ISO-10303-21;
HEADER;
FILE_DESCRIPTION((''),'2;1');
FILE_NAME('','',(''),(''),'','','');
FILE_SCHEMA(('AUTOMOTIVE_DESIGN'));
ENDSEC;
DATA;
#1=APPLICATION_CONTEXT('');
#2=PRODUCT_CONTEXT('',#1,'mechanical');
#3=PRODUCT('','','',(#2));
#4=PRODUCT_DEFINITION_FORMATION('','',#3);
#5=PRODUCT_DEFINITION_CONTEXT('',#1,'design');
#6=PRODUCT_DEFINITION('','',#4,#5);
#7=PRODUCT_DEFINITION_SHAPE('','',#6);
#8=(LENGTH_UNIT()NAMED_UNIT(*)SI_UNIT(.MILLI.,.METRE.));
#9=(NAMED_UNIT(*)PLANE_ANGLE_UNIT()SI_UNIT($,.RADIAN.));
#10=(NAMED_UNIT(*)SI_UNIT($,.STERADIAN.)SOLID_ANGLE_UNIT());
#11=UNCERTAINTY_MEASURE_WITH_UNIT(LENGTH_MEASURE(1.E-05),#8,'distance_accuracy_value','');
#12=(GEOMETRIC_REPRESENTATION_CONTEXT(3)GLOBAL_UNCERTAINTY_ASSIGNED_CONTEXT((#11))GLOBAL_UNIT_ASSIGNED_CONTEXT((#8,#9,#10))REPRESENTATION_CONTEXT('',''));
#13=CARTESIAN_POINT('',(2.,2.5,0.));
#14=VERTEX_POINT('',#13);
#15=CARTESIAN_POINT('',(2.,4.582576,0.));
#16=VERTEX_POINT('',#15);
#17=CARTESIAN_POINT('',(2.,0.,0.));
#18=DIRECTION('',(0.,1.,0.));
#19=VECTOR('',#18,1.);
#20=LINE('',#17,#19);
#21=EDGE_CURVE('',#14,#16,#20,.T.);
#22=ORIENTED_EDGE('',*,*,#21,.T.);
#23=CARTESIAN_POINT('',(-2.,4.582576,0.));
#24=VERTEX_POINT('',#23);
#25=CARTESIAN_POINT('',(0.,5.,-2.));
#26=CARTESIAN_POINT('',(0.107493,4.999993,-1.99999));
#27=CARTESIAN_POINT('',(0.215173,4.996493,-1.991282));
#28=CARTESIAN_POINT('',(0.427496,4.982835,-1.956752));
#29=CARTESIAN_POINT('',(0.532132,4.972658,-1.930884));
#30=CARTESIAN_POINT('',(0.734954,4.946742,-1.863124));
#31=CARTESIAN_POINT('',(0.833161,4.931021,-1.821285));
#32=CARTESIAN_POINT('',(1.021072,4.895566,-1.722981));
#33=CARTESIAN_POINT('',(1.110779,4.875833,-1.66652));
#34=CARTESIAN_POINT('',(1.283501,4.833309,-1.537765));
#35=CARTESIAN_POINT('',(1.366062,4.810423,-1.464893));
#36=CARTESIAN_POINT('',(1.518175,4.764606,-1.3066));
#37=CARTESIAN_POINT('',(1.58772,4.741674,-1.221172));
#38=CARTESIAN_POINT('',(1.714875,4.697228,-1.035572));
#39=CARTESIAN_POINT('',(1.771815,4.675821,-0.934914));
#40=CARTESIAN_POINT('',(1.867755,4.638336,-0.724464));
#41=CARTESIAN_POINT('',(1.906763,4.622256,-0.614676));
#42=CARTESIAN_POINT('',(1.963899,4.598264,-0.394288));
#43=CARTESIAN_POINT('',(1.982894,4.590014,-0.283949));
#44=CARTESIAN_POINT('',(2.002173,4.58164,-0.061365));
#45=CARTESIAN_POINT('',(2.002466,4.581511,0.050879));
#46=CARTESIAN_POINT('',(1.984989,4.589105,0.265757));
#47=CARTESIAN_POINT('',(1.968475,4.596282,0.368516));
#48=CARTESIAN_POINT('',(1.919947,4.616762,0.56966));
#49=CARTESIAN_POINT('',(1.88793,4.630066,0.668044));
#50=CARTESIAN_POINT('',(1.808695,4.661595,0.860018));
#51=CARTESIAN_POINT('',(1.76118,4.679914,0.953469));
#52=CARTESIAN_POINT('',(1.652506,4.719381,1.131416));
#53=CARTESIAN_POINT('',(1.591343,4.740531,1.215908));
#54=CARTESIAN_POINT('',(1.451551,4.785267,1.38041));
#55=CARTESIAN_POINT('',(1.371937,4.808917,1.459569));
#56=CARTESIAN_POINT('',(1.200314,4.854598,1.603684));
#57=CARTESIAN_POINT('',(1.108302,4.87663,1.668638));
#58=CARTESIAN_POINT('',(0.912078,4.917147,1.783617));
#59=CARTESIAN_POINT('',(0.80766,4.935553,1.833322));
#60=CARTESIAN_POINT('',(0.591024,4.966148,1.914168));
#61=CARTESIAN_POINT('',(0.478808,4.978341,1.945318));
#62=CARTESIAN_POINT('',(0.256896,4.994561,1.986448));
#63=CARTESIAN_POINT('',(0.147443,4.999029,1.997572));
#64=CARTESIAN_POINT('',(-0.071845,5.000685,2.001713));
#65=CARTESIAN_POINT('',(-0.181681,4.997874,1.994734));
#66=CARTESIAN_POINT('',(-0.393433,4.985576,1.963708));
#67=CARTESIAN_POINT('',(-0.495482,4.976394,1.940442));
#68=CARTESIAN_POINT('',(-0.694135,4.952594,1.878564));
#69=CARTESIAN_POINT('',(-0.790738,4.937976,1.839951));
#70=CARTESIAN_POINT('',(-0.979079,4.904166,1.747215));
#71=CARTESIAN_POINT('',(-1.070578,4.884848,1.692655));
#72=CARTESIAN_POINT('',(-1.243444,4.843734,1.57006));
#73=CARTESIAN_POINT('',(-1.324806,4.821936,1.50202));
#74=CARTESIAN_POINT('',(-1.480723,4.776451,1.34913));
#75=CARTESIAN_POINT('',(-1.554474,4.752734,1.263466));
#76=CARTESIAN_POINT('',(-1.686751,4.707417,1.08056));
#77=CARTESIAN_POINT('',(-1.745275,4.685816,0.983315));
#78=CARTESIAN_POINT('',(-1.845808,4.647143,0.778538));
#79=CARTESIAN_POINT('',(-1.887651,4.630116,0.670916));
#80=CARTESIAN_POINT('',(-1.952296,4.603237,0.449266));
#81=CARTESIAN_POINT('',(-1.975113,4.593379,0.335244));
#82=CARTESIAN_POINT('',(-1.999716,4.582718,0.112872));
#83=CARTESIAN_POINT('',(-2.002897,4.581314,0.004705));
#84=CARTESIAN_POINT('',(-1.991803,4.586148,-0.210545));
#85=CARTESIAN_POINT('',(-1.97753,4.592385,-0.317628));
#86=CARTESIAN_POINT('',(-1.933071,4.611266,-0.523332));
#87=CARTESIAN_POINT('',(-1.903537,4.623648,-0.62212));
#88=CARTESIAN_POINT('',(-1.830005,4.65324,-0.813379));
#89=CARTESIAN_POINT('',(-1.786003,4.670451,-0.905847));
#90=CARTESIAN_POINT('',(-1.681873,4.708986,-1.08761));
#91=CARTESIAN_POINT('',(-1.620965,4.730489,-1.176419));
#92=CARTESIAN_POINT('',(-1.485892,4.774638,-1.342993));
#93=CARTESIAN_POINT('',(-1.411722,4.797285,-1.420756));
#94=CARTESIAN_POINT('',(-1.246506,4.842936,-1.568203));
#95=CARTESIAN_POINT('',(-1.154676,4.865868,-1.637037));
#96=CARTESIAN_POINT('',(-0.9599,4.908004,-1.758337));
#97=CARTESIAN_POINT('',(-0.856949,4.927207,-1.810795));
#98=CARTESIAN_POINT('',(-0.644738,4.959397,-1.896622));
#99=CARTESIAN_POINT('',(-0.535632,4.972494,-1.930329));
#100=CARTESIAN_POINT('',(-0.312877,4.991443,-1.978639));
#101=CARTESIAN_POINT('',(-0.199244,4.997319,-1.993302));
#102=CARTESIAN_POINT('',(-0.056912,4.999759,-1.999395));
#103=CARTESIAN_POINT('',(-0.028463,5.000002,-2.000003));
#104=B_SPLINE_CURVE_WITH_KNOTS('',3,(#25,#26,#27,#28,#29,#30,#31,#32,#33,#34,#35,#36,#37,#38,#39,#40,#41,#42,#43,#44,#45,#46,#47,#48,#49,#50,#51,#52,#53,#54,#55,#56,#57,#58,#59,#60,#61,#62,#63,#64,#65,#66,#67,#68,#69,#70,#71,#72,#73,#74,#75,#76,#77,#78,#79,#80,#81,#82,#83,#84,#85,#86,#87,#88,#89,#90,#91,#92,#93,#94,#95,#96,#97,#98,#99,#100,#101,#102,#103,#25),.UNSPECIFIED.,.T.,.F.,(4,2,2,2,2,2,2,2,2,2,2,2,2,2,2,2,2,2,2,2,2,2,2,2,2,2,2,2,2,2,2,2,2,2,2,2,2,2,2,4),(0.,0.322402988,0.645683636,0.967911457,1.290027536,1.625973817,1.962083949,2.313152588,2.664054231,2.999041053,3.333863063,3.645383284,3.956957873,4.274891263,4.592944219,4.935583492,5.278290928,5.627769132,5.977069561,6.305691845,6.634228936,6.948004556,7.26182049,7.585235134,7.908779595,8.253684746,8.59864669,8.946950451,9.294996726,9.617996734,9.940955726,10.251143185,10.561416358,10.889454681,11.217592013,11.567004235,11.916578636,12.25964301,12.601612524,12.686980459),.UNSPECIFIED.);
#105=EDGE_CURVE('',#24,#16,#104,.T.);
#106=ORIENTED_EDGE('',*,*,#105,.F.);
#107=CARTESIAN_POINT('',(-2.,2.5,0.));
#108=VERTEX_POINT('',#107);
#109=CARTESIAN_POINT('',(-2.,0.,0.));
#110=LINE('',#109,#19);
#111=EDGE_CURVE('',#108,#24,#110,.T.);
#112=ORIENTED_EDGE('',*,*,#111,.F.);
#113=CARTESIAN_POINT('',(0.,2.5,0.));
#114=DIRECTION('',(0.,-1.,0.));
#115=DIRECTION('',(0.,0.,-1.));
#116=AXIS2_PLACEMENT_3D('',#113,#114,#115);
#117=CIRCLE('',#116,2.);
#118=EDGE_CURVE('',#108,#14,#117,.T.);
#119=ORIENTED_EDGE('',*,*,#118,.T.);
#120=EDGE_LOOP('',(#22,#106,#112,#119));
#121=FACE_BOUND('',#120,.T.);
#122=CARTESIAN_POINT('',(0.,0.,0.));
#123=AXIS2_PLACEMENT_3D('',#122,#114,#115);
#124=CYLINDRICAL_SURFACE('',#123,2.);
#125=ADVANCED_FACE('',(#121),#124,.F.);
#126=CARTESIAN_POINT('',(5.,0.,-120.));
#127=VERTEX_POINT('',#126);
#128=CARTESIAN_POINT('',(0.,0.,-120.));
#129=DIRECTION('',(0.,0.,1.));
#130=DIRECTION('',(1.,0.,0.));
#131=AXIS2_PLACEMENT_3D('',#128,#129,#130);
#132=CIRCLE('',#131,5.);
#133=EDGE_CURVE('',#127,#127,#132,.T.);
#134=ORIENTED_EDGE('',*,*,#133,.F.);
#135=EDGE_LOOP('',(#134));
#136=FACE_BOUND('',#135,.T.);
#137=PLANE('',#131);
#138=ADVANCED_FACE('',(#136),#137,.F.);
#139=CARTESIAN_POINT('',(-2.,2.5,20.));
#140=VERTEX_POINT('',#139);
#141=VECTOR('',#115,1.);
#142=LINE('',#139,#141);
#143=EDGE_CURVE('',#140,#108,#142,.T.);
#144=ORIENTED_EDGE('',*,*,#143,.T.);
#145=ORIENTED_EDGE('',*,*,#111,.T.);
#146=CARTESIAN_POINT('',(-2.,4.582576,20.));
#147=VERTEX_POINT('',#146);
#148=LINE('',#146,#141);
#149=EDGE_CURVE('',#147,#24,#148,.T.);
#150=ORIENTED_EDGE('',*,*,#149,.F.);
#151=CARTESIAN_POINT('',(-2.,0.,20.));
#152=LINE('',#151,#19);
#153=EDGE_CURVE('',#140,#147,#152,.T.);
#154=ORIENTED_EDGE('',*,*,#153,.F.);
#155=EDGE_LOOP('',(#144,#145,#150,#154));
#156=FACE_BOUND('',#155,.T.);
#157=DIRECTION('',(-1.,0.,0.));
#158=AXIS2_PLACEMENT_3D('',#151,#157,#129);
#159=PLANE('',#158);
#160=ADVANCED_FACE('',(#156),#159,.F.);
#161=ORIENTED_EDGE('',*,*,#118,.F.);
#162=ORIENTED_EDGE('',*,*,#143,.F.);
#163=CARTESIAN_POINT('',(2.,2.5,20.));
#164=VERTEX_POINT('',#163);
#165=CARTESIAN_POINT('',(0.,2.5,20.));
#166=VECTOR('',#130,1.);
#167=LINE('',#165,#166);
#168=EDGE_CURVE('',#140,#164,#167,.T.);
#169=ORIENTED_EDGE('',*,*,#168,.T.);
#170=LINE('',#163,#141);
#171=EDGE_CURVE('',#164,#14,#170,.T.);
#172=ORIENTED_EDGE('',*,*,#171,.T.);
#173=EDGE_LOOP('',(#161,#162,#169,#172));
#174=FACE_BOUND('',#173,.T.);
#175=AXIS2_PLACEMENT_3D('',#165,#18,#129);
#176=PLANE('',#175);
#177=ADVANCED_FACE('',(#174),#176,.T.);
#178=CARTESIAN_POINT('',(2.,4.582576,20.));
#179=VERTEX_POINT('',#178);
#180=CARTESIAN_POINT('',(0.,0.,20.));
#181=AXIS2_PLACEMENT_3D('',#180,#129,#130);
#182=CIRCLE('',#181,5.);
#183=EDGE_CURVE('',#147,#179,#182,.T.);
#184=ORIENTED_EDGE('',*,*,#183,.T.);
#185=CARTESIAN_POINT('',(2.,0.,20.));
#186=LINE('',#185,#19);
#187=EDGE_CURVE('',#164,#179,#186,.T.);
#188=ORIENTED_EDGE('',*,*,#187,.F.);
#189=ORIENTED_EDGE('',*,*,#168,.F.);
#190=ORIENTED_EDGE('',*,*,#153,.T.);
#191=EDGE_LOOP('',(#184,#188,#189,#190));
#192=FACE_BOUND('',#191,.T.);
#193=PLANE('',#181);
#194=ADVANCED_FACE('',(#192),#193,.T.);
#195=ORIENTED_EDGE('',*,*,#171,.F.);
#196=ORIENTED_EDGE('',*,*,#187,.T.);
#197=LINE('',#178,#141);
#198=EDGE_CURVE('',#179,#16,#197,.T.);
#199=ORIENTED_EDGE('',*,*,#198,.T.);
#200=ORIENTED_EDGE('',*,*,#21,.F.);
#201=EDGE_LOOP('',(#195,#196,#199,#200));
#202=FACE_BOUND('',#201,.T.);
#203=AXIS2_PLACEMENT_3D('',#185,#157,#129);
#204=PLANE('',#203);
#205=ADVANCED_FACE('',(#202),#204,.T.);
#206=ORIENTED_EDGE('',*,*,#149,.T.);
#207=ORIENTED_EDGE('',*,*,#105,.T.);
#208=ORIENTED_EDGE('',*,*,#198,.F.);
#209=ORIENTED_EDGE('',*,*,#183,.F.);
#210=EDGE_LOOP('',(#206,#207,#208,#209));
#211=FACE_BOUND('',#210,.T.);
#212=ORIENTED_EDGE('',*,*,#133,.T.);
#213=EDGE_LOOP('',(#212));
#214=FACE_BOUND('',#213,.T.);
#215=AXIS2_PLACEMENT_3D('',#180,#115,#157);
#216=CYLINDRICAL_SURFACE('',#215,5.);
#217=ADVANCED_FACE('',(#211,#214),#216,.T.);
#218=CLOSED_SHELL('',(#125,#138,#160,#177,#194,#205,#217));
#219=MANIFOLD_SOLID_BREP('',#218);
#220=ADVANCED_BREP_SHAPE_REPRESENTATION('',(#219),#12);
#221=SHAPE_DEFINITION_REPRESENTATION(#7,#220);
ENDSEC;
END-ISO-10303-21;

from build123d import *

# Parameters (mm, degrees)
BOSS_EXTRUDE1_DEPTH = 20
BOSS_EXTRUDE2_START = -120
SKETCH1_3_R         = 5
BOSS_EXTRUDE2_DEPTH = 120
SKETCH4_W           = 2
SKETCH4_H           = 2.701125373


with BuildPart() as part:
    # Sketch1 → Boss-Extrude1 (new body)
    with BuildSketch(Plane.XY):
        with BuildLine():
            Line((2, 2.5), (0, 2.5))
            Line((0, 2.5), (-2, 2.5))
            Line((-2, 2.5), (-2, 4.582575695))
            ThreePointArc((-2, 4.582575695), (-2.738612788, -4.183300133), (5, 0))
            ThreePointArc((5, 0), (4.183300133, 2.738612788), (2, 4.582575695))
            Line((2, 4.582575695), (2, 2.5))
        make_face()
    extrude(amount=BOSS_EXTRUDE1_DEPTH)

    # Sketch1<3> → Boss-Extrude2 (add)
    with BuildSketch(Plane.XY.offset(BOSS_EXTRUDE2_START)):
        Circle(SKETCH1_3_R)
    extrude(amount=BOSS_EXTRUDE2_DEPTH)

    # Sketch4 → Cut-Revolve2 (revolve, cut)
    with BuildSketch(Plane.XY):
        with Locations((1, 3.850562686)):
            Rectangle(SKETCH4_W, SKETCH4_H)
    revolve(axis=Axis((0, 0, 0), (0, 1, 0)), mode=Mode.SUBTRACT)


solid = part.part
